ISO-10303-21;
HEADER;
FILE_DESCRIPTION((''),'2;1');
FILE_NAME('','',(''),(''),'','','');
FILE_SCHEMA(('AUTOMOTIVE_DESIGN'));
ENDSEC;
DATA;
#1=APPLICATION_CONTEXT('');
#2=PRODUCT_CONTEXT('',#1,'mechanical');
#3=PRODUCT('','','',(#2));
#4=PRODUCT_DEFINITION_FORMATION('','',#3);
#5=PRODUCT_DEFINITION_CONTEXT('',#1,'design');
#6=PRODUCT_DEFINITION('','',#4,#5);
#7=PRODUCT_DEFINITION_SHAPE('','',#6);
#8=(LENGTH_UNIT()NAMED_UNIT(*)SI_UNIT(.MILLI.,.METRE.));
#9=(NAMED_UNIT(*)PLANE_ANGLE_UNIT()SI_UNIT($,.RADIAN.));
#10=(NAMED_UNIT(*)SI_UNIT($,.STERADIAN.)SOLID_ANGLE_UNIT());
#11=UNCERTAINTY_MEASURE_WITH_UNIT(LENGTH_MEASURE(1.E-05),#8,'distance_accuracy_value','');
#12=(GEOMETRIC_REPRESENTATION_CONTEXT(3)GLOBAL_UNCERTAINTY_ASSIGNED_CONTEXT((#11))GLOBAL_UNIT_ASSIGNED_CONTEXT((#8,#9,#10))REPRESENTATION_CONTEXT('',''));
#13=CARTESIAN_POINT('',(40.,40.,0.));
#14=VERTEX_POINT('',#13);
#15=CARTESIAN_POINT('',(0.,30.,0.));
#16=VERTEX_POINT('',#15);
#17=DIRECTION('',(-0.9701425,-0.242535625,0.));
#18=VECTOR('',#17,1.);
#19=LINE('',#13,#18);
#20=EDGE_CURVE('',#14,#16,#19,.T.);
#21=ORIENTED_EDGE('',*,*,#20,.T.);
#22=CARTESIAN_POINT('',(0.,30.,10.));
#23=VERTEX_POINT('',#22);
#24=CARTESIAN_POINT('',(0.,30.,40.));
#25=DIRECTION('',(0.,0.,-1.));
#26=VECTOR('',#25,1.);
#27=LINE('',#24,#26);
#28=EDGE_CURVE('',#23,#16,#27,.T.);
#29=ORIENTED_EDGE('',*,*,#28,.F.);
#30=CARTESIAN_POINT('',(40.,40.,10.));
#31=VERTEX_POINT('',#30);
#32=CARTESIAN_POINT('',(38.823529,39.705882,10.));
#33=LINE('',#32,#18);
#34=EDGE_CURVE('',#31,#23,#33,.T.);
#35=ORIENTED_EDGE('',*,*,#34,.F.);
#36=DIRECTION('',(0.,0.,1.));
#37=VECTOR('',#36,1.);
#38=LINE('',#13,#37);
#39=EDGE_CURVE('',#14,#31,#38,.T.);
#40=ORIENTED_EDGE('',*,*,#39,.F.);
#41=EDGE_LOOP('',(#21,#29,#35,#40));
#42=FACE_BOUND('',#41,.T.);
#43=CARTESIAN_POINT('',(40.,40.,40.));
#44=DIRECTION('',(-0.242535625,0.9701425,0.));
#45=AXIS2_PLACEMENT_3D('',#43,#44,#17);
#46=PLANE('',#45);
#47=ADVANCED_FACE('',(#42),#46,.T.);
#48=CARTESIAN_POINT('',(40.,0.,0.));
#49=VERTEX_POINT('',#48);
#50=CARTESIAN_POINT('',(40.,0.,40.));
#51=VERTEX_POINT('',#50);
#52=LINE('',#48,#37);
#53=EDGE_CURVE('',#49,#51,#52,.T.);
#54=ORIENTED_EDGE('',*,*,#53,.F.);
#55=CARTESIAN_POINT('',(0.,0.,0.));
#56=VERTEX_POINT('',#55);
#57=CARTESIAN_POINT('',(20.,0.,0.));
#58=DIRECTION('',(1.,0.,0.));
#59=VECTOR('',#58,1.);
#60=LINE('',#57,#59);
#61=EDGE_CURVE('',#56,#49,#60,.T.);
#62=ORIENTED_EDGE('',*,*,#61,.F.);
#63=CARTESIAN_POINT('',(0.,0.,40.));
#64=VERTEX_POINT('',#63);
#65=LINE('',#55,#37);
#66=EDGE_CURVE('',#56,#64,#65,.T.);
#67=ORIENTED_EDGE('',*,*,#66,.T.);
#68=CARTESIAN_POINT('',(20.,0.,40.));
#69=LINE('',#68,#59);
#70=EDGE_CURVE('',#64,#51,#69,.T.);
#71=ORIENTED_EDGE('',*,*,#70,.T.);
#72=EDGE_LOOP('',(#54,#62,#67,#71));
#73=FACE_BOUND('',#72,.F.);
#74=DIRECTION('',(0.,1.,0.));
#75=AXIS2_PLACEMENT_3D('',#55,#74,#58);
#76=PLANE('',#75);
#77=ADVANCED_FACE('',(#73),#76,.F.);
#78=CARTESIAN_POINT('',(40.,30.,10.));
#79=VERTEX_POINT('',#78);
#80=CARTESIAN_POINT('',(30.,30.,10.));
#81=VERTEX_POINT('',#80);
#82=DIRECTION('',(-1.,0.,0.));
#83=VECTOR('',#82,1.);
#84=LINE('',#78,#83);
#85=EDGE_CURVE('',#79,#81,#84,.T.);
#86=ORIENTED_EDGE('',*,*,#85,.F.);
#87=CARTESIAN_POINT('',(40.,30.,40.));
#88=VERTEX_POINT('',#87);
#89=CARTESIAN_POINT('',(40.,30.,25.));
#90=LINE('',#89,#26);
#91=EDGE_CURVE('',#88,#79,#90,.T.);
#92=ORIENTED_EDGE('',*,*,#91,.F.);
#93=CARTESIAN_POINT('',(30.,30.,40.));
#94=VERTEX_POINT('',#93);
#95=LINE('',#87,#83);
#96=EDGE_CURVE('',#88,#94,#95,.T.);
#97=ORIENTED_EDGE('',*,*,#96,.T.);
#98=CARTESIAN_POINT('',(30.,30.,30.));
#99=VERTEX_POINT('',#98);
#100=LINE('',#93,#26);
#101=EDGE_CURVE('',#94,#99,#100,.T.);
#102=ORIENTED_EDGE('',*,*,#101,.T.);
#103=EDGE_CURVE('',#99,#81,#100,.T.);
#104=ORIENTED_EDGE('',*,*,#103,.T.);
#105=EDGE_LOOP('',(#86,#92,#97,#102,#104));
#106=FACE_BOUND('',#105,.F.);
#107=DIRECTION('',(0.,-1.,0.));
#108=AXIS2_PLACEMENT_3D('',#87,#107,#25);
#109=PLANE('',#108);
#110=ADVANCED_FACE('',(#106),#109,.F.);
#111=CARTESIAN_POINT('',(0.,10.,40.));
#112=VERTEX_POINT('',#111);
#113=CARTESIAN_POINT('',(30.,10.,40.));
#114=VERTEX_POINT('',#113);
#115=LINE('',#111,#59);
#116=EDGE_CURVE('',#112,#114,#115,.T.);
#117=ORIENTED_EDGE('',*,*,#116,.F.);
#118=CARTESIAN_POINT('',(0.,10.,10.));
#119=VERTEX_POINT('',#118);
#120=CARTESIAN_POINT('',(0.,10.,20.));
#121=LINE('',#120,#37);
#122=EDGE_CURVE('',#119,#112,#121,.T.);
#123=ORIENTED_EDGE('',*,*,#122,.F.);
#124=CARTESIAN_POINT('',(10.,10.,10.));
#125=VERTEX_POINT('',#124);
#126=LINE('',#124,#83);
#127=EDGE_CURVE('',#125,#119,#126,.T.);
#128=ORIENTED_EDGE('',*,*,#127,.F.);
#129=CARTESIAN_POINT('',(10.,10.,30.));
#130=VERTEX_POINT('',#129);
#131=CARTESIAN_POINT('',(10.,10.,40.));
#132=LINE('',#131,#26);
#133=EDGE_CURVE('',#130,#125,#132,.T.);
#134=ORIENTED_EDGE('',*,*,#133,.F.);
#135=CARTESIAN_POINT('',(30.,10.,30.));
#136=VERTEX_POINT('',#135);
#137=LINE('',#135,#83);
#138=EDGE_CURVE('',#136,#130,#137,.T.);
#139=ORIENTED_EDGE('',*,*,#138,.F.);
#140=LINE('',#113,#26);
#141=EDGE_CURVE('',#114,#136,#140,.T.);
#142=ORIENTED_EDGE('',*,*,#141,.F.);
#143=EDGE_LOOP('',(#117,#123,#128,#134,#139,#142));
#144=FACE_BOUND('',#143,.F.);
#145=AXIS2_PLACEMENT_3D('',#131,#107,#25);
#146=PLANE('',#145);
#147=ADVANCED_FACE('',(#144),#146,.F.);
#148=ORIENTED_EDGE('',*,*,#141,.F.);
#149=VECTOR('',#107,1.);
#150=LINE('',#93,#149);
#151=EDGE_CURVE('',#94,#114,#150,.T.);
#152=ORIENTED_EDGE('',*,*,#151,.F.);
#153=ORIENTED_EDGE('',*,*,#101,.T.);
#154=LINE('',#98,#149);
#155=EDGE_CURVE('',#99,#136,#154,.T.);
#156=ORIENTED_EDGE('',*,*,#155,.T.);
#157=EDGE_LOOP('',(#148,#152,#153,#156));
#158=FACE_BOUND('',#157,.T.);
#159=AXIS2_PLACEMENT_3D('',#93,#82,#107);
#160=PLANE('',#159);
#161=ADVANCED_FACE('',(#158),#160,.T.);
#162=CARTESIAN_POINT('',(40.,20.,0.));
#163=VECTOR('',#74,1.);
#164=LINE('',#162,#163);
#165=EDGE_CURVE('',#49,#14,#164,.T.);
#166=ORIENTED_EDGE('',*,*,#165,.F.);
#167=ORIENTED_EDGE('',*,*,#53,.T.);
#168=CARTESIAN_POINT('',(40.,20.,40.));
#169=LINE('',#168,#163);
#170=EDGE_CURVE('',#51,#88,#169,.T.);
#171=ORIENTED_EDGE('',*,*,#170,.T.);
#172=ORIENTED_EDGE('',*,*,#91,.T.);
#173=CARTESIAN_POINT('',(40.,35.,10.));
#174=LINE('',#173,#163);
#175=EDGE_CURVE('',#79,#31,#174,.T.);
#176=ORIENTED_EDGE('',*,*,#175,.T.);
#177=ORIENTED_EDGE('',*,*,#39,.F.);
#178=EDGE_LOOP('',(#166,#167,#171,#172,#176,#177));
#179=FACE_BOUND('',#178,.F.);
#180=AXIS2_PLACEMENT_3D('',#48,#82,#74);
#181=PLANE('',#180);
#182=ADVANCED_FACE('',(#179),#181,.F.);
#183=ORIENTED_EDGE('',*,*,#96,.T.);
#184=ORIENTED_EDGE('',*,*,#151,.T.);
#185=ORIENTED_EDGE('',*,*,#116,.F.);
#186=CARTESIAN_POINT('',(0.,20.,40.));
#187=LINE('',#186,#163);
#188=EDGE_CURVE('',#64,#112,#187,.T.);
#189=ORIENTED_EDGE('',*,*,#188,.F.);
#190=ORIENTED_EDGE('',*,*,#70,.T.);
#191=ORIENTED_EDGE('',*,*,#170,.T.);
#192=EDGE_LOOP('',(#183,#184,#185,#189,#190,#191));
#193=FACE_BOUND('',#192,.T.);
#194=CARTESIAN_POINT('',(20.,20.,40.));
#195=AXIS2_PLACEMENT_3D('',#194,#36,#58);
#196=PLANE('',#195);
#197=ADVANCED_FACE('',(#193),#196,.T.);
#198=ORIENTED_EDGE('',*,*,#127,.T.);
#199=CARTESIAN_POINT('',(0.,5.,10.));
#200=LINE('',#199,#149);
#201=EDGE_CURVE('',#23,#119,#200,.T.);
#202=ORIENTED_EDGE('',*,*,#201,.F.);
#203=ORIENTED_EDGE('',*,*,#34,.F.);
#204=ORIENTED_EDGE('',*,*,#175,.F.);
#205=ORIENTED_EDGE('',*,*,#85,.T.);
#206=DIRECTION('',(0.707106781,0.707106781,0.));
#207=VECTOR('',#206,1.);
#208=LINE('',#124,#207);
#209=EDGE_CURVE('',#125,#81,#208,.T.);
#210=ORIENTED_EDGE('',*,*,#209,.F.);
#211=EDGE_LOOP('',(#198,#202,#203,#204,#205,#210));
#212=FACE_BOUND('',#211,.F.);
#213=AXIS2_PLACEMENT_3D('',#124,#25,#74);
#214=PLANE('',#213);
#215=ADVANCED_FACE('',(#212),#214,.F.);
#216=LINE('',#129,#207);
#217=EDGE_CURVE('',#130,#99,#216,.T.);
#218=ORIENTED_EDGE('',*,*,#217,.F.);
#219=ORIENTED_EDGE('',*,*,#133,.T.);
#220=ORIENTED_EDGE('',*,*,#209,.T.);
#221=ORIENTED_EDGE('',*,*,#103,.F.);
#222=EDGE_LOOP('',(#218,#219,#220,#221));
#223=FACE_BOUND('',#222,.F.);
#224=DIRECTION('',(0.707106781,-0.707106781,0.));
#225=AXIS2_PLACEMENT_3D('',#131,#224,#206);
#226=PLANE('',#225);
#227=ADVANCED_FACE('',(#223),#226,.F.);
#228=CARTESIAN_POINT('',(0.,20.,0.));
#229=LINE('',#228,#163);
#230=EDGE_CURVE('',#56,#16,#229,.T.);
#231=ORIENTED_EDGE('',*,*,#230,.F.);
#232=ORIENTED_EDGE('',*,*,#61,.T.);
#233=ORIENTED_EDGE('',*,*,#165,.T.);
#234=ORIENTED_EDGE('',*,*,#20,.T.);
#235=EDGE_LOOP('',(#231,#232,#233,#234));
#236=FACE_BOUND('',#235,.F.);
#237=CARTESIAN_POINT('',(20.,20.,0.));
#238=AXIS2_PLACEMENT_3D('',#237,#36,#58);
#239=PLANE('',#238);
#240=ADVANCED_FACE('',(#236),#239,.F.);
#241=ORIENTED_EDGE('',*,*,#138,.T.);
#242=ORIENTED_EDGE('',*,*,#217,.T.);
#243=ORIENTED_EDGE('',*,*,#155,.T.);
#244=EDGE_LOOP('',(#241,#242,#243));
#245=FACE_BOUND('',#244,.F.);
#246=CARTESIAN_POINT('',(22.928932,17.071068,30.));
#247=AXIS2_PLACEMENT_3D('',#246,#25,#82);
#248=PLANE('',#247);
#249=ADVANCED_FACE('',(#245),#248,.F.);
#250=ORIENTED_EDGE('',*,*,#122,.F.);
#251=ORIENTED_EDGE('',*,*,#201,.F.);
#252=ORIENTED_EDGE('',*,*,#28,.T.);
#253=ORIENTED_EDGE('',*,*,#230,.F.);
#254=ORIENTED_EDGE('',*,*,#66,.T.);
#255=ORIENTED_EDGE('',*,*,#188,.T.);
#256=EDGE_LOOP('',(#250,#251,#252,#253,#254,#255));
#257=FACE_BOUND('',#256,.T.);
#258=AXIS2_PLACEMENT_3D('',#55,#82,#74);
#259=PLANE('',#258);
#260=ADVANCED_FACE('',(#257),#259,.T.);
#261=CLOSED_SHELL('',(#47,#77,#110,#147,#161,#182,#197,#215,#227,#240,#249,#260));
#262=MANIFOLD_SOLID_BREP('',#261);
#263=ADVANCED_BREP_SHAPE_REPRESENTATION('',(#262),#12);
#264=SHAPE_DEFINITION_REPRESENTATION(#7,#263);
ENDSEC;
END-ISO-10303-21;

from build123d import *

# Parameters (mm, degrees)
SKETCH1_W           = 40
SKETCH1_H           = 40
BOSS_EXTRUDE1_DEPTH = 40
CUT_EXTRUDE1_DEPTH  = 40
SKETCH3_W           = 30
SKETCH3_H           = 10
CUT_EXTRUDE2_DEPTH  = 40
CUT_EXTRUDE6_DEPTH  = 30
SKETCH6_W           = 30
SKETCH6_H           = 20
CUT_EXTRUDE7_DEPTH  = 30
CUT_EXTRUDE9_DEPTH  = 10


with BuildPart() as part:
    # Sketch1 → Boss-Extrude1 (new body)
    with BuildSketch(Plane.XY):
        with Locations((20, 20)):
            Rectangle(SKETCH1_W, SKETCH1_H)
    extrude(amount=BOSS_EXTRUDE1_DEPTH)

    # Sketch2 → Cut-Extrude1 (cut)
    with BuildSketch(Plane.XY.offset(40)):
        Polygon((40, 40), (0, 30), (0, 40), align=None)
    extrude(amount=-CUT_EXTRUDE1_DEPTH, mode=Mode.SUBTRACT)

    # Sketch3 → Cut-Extrude2 (cut)
    with BuildSketch(Plane(origin=(40, 0, 0), x_dir=(0, 0, -1), z_dir=(1, 0, 0))):
        with Locations((-25, 35)):
            Rectangle(SKETCH3_W, SKETCH3_H)
    extrude(amount=-CUT_EXTRUDE2_DEPTH, mode=Mode.SUBTRACT)

    # Sketch4 → Cut-Extrude6 (cut)
    with BuildSketch(Plane.XY.offset(40)):
        Polygon((30, 30), (10, 30), (10, 10), align=None)
    extrude(amount=-CUT_EXTRUDE6_DEPTH, mode=Mode.SUBTRACT)

    # Sketch6 → Cut-Extrude7 (cut)
    with BuildSketch(Plane(origin=(10, 0, 0), x_dir=(0, 0, -1), z_dir=(1, 0, 0))):
        with Locations((-25, 20)):
            Rectangle(SKETCH6_W, SKETCH6_H)
    extrude(amount=-CUT_EXTRUDE7_DEPTH, mode=Mode.SUBTRACT)

    # Sketch7 → Cut-Extrude9 (cut)
    with BuildSketch(Plane.XY.offset(40)):
        Polygon((30, 30), (30, 10), (10, 10), align=None)
    extrude(amount=-CUT_EXTRUDE9_DEPTH, mode=Mode.SUBTRACT)


solid = part.part
